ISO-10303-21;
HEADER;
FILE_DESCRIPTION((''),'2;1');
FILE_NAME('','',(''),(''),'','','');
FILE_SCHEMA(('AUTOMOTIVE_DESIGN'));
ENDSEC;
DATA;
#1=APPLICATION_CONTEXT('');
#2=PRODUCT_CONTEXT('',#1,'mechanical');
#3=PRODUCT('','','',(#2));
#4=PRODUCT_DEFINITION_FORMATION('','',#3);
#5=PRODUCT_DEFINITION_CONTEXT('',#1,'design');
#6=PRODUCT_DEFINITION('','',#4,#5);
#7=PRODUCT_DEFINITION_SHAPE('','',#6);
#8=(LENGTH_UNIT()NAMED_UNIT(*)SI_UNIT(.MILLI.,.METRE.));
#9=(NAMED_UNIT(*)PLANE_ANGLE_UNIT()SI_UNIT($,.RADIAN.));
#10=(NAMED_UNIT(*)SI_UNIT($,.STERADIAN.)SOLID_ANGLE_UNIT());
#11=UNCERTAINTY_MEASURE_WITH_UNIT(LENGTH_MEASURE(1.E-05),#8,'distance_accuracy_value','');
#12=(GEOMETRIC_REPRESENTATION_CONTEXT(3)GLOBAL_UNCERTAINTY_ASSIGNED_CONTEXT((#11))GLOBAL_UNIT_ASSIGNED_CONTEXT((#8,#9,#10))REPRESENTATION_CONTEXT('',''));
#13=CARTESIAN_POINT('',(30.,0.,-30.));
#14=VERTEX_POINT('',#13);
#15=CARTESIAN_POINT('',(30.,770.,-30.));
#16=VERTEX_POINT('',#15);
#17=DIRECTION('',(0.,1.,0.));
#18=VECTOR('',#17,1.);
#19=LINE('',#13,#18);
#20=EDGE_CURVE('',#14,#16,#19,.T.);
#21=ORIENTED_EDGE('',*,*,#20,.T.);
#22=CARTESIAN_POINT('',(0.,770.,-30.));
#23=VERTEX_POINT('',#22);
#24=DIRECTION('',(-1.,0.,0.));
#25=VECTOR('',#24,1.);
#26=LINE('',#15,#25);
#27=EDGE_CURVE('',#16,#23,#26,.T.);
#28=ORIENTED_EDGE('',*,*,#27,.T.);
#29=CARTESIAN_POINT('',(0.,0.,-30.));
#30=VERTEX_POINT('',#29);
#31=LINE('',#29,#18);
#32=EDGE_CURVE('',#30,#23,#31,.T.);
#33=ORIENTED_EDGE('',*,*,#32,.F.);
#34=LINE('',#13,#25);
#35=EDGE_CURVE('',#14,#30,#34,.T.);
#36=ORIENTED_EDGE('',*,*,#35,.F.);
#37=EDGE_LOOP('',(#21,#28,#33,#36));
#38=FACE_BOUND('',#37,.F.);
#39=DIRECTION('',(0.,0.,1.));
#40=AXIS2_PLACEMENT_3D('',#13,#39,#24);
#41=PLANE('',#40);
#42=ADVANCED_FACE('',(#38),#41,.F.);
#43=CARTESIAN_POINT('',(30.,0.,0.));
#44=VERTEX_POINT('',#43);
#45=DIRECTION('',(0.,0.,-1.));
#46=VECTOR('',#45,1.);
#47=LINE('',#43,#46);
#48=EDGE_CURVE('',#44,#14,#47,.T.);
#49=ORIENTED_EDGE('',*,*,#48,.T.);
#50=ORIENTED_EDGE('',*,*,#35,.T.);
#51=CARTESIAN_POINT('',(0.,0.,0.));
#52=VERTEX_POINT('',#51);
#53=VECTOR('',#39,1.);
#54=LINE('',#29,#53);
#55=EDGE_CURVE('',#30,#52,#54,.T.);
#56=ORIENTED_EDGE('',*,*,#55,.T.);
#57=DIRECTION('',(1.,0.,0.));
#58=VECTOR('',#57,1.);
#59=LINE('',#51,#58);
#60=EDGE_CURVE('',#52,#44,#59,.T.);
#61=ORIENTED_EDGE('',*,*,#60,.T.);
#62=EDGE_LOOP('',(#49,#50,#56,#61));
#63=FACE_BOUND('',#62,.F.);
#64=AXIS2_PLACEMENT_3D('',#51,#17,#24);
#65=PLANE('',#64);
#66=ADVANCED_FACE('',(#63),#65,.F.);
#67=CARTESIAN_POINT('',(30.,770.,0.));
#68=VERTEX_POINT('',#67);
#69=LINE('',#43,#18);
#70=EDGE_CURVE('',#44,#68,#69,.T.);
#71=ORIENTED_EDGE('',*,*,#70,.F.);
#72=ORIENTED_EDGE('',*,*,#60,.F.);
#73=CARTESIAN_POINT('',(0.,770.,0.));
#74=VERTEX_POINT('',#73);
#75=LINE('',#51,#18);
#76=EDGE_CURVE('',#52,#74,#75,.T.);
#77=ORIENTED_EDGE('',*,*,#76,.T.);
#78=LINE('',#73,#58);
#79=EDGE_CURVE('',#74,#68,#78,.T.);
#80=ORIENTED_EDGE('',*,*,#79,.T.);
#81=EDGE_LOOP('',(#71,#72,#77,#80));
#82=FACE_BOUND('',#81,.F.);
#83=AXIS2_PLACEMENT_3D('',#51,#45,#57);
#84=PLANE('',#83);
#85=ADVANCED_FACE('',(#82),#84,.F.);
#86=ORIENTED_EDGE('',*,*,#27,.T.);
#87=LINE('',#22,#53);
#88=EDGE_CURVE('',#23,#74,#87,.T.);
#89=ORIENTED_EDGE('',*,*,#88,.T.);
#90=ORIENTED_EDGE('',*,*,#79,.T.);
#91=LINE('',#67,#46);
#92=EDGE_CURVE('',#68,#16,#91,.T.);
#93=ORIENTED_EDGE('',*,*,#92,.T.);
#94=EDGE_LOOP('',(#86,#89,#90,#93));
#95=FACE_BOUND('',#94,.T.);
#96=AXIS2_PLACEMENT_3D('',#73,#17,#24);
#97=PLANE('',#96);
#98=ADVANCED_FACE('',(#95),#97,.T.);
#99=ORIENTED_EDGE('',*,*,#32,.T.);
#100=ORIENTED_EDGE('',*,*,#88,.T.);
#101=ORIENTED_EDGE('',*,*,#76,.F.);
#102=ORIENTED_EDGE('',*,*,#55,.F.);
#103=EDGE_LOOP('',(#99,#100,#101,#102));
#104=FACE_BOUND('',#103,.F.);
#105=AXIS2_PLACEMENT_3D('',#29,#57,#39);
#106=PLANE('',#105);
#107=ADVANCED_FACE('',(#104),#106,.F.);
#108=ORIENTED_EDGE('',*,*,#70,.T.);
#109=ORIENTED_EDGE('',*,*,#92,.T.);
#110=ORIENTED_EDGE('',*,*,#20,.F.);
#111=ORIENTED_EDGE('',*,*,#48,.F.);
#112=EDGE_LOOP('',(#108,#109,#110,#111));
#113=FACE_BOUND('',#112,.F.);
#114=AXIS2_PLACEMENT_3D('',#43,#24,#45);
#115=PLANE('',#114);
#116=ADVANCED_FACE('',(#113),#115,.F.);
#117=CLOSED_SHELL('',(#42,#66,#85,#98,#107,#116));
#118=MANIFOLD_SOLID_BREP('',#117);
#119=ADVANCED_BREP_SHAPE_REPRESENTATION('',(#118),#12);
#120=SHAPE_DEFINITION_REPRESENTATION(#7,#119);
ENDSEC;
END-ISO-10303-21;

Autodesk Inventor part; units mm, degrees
ref_plane "YZ Plane" through (0, 0, 0) normal (1, 0, 0) x (0, 1, 0)
ref_plane "XZ Plane" through (0, 0, 0) normal (0, 1, 0) x (-1, 0, 0)
ref_plane "XY Plane" through (0, 0, 0) normal (0, 0, 1) x (1, 0, 0)
sketch "Boceto1" plane through (0, 0, 0) normal (0, 1, 0) x (-1, 0, 0)
  line L0 (0, 0) -> (-30, 0)
  line L1 (-30, 0) -> (-30, -30)
  line L2 (-30, -30) -> (0, -30)
  line L3 (0, -30) -> (0, 0)
  dimension "d0" = 30
  dimension "d1" = 30
extrude "Extrusión1" add sketch "Boceto1" along normal blind 770
properties part number "Pata1"
